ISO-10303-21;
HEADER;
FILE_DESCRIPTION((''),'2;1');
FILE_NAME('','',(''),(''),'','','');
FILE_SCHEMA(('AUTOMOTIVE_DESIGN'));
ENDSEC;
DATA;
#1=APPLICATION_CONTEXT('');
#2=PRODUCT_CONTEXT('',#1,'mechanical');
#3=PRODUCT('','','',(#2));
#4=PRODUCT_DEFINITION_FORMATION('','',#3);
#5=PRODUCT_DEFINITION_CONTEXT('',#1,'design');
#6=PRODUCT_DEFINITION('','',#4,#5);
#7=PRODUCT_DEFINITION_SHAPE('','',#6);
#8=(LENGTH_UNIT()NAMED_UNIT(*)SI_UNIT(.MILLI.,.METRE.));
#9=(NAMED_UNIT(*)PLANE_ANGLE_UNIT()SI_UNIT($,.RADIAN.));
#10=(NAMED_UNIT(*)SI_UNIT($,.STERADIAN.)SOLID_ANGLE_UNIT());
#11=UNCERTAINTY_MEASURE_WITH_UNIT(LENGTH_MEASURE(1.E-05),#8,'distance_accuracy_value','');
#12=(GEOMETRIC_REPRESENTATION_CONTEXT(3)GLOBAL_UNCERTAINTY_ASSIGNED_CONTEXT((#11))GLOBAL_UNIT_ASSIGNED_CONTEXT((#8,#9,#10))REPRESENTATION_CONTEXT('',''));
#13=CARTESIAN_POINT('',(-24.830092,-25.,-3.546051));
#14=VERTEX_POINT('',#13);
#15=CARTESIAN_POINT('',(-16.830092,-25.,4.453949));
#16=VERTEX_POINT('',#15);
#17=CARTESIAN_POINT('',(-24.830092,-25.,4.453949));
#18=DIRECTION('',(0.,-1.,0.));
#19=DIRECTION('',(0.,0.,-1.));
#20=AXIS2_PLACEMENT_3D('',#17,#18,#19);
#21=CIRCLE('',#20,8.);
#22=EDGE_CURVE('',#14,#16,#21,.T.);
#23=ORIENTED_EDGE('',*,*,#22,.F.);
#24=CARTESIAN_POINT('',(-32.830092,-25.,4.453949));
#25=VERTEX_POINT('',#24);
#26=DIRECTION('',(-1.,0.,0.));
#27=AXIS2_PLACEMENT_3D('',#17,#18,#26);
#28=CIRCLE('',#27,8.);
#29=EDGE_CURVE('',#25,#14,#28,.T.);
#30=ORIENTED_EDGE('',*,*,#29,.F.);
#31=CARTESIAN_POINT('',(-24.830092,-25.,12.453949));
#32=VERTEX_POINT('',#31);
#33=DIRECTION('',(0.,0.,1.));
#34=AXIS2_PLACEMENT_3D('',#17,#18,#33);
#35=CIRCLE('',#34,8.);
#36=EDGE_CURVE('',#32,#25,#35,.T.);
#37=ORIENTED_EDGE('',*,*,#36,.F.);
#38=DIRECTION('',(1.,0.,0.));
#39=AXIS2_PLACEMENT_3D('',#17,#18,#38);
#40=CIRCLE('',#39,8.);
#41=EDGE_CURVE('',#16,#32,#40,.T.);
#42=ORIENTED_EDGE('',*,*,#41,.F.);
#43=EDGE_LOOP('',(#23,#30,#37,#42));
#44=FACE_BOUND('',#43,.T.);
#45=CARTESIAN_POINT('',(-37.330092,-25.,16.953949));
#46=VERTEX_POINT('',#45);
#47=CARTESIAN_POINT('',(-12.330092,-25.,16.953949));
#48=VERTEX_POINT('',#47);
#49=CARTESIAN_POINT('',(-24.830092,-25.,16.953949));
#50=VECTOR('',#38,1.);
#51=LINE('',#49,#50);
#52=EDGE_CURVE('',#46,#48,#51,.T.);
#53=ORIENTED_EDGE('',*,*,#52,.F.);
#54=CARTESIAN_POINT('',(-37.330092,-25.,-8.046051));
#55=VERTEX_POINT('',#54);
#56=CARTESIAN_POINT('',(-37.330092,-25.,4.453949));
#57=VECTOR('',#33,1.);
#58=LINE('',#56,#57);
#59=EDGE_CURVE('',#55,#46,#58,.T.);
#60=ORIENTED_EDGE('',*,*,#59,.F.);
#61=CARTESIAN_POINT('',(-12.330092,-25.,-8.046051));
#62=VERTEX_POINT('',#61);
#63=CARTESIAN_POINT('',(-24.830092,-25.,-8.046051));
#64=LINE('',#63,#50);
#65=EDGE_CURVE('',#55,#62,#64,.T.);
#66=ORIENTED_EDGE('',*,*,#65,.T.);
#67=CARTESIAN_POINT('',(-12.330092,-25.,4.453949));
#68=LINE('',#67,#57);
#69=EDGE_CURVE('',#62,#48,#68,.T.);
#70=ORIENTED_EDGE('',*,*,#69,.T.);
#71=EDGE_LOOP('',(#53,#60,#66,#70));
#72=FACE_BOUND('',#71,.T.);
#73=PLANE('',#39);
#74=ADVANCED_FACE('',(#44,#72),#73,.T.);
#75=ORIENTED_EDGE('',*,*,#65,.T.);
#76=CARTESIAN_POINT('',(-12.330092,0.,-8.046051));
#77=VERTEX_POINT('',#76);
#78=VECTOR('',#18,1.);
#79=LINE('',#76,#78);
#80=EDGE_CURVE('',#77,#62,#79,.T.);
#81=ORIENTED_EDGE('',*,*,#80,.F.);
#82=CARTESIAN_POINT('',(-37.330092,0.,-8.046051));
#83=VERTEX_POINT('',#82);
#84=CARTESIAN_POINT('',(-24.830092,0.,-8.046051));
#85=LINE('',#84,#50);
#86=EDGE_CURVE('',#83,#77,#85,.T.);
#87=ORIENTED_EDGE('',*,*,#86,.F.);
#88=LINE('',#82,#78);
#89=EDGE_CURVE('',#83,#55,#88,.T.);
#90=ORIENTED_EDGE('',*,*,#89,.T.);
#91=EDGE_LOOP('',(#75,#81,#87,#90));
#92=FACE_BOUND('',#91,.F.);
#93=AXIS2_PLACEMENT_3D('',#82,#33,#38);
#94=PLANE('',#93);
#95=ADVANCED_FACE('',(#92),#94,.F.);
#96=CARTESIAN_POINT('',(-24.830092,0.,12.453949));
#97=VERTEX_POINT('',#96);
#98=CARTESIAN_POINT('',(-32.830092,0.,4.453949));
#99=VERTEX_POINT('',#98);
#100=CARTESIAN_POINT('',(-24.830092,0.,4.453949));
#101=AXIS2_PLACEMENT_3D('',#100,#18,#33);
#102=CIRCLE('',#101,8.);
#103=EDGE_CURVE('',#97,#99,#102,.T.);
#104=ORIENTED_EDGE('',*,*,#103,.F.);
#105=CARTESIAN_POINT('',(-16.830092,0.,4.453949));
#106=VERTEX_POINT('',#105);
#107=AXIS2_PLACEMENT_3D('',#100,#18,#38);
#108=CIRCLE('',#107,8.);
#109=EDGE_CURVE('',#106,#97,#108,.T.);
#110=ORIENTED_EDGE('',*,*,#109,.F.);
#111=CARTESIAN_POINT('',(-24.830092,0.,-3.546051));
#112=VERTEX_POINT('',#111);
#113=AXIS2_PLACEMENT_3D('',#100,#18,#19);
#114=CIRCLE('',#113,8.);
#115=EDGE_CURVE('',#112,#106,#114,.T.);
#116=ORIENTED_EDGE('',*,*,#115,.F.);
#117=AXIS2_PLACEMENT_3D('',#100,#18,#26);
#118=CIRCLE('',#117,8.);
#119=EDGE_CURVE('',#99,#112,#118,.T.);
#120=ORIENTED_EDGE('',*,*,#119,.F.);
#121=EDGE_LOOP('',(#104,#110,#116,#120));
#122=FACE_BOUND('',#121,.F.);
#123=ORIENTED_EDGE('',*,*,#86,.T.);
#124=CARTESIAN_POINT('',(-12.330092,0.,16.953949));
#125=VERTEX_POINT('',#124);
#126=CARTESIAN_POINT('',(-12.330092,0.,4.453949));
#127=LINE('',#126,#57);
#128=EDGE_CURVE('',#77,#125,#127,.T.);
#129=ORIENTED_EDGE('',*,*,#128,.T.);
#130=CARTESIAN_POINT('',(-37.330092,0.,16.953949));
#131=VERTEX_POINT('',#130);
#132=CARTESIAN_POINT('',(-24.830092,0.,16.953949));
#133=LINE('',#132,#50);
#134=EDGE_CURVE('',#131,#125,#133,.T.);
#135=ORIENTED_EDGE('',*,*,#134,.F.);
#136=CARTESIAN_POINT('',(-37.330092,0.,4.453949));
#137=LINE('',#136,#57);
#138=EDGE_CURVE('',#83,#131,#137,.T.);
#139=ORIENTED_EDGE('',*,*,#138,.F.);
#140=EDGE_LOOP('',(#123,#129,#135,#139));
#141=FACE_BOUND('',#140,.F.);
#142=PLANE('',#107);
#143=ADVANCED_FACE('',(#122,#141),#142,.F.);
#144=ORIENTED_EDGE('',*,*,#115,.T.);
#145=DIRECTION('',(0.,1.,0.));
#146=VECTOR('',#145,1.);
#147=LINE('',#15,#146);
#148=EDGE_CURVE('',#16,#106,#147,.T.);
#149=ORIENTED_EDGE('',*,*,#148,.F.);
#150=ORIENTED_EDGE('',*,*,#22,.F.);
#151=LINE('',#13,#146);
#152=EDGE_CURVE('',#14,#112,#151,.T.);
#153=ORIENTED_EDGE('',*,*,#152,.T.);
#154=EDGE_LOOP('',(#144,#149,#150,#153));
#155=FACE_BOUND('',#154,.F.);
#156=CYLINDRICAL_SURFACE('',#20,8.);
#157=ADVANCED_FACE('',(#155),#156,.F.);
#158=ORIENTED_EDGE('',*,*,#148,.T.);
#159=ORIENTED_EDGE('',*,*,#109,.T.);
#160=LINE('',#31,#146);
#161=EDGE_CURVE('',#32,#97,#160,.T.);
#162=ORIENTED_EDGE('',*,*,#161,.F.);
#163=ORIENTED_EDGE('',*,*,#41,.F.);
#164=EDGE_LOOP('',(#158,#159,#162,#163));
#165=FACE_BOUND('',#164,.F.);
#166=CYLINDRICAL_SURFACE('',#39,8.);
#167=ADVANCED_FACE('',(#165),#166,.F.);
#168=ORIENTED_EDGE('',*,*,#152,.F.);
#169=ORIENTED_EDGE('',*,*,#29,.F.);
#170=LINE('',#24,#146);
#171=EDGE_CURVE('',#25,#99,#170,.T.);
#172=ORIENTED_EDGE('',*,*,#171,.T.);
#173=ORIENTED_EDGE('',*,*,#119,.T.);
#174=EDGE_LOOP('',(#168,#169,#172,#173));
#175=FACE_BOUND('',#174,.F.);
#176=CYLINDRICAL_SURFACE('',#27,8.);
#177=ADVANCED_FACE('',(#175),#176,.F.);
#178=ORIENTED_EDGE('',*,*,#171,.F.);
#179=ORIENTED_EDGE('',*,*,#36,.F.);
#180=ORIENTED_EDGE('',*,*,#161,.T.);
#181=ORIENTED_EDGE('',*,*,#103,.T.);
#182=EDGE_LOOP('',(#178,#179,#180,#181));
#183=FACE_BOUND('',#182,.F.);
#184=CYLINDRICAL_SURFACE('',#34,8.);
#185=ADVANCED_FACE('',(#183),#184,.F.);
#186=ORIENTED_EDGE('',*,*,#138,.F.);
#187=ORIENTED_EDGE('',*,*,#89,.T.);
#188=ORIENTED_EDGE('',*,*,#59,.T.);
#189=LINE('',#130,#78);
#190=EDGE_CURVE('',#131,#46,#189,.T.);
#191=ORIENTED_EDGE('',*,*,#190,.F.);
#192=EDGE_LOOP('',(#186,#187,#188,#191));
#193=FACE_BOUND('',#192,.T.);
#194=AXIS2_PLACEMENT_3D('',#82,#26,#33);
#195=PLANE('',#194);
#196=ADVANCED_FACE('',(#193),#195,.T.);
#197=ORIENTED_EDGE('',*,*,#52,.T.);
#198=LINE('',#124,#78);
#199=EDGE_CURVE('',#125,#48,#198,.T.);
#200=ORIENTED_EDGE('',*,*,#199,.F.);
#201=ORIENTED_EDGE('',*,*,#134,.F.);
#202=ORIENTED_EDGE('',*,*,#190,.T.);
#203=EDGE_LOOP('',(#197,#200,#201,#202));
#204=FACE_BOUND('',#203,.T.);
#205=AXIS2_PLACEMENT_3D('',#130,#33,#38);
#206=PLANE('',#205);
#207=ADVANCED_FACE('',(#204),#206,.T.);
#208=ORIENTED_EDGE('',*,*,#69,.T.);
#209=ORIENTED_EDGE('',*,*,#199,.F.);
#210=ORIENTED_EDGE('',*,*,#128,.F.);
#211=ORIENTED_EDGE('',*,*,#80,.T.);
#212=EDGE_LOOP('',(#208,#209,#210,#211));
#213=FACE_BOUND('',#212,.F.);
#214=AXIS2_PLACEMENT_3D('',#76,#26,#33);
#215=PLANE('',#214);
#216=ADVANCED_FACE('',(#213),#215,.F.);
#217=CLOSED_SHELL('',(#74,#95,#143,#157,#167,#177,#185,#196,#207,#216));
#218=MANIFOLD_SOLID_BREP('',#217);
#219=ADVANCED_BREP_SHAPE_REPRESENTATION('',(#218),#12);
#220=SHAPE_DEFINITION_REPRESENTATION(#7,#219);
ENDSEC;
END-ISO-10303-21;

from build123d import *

# Parameters (mm, degrees)
F0_W     = 25
F0_H     = 25
F1_DEPTH = 25
F3_DEPTH = 25


with BuildPart() as f1:
    # F0 (on Front) → F1 (new body)
    with BuildSketch(Plane.XZ):
        with Locations((-24.8300924897, 4.453949444)):
            Rectangle(F0_W, F0_H)
    extrude(amount=F1_DEPTH)

    # F2 (on face) → F3 (cut)
    with BuildSketch(Plane.XZ.offset(25)):
        with BuildLine():
            Line((-24.8300924897, -3.546050556), (-24.8300924897, 4.453949444))
            Line((-24.8300924897, 4.453949444), (-32.8300924897, 4.453949444))
            ThreePointArc((-32.8300924897, 4.453949444), (-30.4869467392, -1.2029048055), (-24.8300924897, -3.546050556))
        make_face()
        with BuildLine():
            Line((-24.8300924897, 4.453949444), (-24.8300924897, 12.453949444))
            ThreePointArc((-24.8300924897, 12.453949444), (-30.4869467392, 10.1108036935), (-32.8300924897, 4.453949444))
            Line((-32.8300924897, 4.453949444), (-24.8300924897, 4.453949444))
        make_face()
        with BuildLine():
            ThreePointArc((-16.8300924897, 4.453949444), (-19.1732382402, 10.1108036935), (-24.8300924897, 12.453949444))
            Line((-24.8300924897, 12.453949444), (-24.8300924897, 4.453949444))
            Line((-24.8300924897, 4.453949444), (-16.8300924897, 4.453949444))
        make_face()
        with BuildLine():
            Line((-16.8300924897, 4.453949444), (-24.8300924897, 4.453949444))
            Line((-24.8300924897, 4.453949444), (-24.8300924897, -3.546050556))
            ThreePointArc((-24.8300924897, -3.546050556), (-19.1732382402, -1.2029048055), (-16.8300924897, 4.453949444))
        make_face()
    extrude(amount=-F3_DEPTH, mode=Mode.SUBTRACT)


solid = f1.part
